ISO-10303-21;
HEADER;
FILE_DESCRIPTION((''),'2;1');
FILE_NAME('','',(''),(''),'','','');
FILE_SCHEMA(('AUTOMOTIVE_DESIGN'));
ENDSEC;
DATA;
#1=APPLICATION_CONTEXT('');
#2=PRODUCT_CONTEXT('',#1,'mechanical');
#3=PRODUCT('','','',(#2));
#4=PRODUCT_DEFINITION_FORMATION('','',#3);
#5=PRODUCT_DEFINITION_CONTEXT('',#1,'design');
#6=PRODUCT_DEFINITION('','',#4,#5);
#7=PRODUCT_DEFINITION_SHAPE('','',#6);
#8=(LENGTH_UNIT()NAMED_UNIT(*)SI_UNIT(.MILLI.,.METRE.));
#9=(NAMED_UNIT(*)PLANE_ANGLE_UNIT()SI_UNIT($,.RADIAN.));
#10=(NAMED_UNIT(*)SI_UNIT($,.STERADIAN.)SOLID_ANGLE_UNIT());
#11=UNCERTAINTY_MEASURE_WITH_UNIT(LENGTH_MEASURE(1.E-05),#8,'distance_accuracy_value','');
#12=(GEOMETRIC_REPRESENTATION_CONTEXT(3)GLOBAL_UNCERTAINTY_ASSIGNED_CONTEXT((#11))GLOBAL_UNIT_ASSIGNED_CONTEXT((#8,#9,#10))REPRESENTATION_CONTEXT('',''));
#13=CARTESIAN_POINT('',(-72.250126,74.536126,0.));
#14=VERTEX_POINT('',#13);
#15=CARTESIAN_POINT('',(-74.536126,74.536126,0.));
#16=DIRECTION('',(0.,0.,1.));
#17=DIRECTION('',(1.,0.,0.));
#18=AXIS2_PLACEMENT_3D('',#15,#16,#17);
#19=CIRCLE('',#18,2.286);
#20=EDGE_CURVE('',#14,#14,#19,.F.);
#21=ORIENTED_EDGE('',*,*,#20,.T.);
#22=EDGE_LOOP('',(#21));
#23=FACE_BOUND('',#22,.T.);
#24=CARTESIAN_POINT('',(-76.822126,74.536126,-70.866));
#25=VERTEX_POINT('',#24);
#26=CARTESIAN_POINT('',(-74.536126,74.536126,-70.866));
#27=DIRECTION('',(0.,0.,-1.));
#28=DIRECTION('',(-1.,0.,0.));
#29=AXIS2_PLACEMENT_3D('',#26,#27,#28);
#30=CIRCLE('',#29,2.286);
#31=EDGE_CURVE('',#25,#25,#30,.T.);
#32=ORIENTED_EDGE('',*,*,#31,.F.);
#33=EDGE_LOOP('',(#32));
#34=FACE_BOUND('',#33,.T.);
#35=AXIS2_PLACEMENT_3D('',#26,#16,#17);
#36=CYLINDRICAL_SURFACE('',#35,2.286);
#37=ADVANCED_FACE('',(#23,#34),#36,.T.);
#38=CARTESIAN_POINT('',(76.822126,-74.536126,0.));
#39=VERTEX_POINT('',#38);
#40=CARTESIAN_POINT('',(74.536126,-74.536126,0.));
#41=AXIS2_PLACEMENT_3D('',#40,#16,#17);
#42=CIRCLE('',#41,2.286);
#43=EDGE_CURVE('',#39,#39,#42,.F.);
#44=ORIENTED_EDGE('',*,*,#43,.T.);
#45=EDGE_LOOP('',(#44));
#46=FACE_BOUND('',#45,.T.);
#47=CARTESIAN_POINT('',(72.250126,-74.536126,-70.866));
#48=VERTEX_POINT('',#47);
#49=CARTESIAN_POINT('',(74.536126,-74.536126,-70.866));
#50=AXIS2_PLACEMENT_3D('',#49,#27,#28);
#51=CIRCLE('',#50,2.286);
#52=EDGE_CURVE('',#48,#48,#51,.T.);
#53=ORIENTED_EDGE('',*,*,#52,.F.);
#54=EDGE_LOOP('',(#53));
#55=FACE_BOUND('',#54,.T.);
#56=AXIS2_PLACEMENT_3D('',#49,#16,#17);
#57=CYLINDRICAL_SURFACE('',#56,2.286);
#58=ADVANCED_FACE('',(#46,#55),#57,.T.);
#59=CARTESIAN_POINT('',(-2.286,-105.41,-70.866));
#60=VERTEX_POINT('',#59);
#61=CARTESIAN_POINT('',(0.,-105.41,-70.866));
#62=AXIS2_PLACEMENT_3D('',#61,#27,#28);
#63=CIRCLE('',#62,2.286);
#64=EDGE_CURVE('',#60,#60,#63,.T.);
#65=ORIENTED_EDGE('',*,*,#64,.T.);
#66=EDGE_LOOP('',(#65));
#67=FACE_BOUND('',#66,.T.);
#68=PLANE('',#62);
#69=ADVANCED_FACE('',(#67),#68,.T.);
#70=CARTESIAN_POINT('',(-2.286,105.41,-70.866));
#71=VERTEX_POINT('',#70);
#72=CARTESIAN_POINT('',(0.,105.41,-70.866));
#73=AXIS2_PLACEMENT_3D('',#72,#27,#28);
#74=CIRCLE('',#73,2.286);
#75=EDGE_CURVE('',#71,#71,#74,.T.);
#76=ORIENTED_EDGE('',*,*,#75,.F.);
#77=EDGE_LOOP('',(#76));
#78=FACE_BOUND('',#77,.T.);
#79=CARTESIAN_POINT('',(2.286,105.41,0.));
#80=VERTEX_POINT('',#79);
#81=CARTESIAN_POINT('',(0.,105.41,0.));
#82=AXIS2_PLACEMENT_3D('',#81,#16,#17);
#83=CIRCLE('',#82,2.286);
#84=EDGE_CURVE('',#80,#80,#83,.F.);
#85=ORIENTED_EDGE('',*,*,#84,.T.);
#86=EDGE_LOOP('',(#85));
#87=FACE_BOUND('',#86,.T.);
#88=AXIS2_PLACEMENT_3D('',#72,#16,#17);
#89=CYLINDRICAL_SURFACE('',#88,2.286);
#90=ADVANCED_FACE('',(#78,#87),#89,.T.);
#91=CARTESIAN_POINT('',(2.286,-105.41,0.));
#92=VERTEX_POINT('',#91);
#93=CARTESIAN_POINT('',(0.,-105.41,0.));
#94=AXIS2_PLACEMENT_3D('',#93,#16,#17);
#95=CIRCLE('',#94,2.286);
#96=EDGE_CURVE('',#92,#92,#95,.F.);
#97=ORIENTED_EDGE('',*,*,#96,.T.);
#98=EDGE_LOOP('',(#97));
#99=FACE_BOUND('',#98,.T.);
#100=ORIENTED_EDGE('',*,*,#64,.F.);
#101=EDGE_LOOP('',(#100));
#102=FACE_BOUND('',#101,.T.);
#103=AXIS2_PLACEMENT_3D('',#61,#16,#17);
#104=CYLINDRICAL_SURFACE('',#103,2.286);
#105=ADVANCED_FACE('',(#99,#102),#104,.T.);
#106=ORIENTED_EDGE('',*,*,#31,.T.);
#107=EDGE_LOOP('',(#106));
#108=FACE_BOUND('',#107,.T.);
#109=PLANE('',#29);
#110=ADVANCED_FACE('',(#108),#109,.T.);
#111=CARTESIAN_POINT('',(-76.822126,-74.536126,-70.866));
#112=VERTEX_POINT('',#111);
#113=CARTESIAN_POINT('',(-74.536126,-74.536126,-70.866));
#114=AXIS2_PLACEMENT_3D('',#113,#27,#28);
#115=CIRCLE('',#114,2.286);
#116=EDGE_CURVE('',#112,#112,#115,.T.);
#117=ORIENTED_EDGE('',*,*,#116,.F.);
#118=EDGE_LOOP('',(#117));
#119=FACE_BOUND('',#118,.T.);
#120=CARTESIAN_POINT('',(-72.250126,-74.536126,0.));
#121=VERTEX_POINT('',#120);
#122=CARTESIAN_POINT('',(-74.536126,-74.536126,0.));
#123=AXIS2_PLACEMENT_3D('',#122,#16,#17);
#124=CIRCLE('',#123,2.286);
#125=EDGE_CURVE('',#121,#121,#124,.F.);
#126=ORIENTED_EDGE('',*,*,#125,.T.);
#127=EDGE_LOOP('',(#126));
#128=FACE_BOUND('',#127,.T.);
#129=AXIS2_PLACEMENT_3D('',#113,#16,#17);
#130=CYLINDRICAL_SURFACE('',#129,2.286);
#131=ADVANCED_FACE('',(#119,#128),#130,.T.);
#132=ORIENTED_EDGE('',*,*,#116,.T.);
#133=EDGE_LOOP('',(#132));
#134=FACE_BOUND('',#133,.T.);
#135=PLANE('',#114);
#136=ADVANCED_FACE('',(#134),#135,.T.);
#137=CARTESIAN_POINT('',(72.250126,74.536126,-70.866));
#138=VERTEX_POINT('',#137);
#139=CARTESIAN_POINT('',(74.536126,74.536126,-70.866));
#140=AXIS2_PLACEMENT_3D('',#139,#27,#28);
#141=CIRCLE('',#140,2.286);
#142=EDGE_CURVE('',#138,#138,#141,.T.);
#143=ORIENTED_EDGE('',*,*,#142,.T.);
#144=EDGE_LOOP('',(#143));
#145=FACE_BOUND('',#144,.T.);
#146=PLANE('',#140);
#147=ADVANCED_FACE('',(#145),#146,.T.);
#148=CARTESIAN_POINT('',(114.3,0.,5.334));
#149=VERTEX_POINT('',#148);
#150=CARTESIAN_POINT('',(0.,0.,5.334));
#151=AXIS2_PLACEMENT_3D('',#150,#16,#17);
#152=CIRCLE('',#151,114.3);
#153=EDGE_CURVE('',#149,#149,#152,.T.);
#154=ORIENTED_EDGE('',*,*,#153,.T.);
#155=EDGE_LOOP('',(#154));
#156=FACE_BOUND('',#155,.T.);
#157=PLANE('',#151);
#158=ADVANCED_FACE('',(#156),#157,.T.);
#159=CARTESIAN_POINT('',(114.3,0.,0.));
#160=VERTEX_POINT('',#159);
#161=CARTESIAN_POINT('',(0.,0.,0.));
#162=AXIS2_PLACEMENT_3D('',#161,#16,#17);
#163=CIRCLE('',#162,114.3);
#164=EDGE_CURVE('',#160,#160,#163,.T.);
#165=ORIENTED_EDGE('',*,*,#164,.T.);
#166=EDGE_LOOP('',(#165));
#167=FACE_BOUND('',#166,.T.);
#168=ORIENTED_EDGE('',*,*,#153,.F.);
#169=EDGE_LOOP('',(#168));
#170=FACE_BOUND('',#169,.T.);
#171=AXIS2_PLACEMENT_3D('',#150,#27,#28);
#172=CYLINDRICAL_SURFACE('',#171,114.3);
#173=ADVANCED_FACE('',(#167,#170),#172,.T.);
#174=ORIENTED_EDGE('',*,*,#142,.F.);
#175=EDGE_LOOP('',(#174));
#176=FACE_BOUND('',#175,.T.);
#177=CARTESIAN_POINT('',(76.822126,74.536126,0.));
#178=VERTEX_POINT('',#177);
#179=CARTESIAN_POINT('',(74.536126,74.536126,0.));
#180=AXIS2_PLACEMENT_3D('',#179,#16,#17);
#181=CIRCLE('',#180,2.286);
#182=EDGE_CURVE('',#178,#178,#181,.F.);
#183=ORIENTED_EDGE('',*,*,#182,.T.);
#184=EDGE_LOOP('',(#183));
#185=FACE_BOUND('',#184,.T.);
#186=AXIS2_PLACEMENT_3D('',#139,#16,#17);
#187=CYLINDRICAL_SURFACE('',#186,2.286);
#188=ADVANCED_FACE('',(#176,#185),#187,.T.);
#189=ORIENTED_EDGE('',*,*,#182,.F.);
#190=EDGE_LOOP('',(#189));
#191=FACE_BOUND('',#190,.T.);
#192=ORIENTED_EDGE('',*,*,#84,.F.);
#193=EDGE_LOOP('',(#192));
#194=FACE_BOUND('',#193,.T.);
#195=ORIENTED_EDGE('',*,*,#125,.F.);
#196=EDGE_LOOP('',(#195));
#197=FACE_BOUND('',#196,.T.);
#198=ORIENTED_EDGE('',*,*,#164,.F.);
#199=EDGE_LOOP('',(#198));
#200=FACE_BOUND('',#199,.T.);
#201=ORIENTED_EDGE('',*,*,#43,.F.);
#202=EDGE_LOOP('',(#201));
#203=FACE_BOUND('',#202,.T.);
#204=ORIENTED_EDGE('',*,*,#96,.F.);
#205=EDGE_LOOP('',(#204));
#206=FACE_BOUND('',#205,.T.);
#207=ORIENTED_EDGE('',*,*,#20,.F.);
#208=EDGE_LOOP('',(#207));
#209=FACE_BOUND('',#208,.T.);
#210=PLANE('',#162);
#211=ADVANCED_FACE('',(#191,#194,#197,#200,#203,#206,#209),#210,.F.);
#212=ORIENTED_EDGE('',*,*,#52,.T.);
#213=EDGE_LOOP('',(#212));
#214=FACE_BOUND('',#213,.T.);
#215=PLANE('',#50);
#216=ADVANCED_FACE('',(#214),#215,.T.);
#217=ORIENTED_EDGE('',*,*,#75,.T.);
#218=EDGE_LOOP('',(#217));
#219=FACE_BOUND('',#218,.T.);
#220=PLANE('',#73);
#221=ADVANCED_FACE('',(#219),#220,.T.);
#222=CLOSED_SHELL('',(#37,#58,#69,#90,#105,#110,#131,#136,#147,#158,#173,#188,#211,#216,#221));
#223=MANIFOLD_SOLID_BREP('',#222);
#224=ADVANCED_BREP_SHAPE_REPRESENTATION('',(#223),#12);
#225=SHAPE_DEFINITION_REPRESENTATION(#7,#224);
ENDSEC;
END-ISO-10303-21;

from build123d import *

# Parameters (mm, degrees)
SKETCH1_R      = 114.3
PLATFORM_DEPTH = 5.334
SKETCH3_R      = 2.286
PEGS_DEPTH     = 70.866


with BuildPart() as part:
    # Sketch1 → Platform (new body)
    with BuildSketch(Plane.XY):
        Circle(SKETCH1_R)
    extrude(amount=PLATFORM_DEPTH)

    # Sketch3 → Pegs (add)
    with BuildSketch(Plane(origin=(0, 0, 0), x_dir=(-1, 0, 0), z_dir=(0, 0, -1))):
        with Locations(Location((0, 105.41, 0), (0, 0, 180))):
            Circle(SKETCH3_R)
        with Locations(Location((-74.536125805, 74.536125805, 0), (0, 0, 180))):
            Circle(SKETCH3_R)
        with Locations(Location((-74.536125805, -74.536125805, 0), (0, 0, 180))):
            Circle(SKETCH3_R)
        with Locations(Location((0, -105.41, 0), (0, 0, 180))):
            Circle(SKETCH3_R)
        with Locations(Location((74.536125805, -74.536125805, 0), (0, 0, 180))):
            Circle(SKETCH3_R)
        with Locations(Location((74.536125805, 74.536125805, 0), (0, 0, 180))):
            Circle(SKETCH3_R)
    extrude(amount=PEGS_DEPTH)


solid = part.part
